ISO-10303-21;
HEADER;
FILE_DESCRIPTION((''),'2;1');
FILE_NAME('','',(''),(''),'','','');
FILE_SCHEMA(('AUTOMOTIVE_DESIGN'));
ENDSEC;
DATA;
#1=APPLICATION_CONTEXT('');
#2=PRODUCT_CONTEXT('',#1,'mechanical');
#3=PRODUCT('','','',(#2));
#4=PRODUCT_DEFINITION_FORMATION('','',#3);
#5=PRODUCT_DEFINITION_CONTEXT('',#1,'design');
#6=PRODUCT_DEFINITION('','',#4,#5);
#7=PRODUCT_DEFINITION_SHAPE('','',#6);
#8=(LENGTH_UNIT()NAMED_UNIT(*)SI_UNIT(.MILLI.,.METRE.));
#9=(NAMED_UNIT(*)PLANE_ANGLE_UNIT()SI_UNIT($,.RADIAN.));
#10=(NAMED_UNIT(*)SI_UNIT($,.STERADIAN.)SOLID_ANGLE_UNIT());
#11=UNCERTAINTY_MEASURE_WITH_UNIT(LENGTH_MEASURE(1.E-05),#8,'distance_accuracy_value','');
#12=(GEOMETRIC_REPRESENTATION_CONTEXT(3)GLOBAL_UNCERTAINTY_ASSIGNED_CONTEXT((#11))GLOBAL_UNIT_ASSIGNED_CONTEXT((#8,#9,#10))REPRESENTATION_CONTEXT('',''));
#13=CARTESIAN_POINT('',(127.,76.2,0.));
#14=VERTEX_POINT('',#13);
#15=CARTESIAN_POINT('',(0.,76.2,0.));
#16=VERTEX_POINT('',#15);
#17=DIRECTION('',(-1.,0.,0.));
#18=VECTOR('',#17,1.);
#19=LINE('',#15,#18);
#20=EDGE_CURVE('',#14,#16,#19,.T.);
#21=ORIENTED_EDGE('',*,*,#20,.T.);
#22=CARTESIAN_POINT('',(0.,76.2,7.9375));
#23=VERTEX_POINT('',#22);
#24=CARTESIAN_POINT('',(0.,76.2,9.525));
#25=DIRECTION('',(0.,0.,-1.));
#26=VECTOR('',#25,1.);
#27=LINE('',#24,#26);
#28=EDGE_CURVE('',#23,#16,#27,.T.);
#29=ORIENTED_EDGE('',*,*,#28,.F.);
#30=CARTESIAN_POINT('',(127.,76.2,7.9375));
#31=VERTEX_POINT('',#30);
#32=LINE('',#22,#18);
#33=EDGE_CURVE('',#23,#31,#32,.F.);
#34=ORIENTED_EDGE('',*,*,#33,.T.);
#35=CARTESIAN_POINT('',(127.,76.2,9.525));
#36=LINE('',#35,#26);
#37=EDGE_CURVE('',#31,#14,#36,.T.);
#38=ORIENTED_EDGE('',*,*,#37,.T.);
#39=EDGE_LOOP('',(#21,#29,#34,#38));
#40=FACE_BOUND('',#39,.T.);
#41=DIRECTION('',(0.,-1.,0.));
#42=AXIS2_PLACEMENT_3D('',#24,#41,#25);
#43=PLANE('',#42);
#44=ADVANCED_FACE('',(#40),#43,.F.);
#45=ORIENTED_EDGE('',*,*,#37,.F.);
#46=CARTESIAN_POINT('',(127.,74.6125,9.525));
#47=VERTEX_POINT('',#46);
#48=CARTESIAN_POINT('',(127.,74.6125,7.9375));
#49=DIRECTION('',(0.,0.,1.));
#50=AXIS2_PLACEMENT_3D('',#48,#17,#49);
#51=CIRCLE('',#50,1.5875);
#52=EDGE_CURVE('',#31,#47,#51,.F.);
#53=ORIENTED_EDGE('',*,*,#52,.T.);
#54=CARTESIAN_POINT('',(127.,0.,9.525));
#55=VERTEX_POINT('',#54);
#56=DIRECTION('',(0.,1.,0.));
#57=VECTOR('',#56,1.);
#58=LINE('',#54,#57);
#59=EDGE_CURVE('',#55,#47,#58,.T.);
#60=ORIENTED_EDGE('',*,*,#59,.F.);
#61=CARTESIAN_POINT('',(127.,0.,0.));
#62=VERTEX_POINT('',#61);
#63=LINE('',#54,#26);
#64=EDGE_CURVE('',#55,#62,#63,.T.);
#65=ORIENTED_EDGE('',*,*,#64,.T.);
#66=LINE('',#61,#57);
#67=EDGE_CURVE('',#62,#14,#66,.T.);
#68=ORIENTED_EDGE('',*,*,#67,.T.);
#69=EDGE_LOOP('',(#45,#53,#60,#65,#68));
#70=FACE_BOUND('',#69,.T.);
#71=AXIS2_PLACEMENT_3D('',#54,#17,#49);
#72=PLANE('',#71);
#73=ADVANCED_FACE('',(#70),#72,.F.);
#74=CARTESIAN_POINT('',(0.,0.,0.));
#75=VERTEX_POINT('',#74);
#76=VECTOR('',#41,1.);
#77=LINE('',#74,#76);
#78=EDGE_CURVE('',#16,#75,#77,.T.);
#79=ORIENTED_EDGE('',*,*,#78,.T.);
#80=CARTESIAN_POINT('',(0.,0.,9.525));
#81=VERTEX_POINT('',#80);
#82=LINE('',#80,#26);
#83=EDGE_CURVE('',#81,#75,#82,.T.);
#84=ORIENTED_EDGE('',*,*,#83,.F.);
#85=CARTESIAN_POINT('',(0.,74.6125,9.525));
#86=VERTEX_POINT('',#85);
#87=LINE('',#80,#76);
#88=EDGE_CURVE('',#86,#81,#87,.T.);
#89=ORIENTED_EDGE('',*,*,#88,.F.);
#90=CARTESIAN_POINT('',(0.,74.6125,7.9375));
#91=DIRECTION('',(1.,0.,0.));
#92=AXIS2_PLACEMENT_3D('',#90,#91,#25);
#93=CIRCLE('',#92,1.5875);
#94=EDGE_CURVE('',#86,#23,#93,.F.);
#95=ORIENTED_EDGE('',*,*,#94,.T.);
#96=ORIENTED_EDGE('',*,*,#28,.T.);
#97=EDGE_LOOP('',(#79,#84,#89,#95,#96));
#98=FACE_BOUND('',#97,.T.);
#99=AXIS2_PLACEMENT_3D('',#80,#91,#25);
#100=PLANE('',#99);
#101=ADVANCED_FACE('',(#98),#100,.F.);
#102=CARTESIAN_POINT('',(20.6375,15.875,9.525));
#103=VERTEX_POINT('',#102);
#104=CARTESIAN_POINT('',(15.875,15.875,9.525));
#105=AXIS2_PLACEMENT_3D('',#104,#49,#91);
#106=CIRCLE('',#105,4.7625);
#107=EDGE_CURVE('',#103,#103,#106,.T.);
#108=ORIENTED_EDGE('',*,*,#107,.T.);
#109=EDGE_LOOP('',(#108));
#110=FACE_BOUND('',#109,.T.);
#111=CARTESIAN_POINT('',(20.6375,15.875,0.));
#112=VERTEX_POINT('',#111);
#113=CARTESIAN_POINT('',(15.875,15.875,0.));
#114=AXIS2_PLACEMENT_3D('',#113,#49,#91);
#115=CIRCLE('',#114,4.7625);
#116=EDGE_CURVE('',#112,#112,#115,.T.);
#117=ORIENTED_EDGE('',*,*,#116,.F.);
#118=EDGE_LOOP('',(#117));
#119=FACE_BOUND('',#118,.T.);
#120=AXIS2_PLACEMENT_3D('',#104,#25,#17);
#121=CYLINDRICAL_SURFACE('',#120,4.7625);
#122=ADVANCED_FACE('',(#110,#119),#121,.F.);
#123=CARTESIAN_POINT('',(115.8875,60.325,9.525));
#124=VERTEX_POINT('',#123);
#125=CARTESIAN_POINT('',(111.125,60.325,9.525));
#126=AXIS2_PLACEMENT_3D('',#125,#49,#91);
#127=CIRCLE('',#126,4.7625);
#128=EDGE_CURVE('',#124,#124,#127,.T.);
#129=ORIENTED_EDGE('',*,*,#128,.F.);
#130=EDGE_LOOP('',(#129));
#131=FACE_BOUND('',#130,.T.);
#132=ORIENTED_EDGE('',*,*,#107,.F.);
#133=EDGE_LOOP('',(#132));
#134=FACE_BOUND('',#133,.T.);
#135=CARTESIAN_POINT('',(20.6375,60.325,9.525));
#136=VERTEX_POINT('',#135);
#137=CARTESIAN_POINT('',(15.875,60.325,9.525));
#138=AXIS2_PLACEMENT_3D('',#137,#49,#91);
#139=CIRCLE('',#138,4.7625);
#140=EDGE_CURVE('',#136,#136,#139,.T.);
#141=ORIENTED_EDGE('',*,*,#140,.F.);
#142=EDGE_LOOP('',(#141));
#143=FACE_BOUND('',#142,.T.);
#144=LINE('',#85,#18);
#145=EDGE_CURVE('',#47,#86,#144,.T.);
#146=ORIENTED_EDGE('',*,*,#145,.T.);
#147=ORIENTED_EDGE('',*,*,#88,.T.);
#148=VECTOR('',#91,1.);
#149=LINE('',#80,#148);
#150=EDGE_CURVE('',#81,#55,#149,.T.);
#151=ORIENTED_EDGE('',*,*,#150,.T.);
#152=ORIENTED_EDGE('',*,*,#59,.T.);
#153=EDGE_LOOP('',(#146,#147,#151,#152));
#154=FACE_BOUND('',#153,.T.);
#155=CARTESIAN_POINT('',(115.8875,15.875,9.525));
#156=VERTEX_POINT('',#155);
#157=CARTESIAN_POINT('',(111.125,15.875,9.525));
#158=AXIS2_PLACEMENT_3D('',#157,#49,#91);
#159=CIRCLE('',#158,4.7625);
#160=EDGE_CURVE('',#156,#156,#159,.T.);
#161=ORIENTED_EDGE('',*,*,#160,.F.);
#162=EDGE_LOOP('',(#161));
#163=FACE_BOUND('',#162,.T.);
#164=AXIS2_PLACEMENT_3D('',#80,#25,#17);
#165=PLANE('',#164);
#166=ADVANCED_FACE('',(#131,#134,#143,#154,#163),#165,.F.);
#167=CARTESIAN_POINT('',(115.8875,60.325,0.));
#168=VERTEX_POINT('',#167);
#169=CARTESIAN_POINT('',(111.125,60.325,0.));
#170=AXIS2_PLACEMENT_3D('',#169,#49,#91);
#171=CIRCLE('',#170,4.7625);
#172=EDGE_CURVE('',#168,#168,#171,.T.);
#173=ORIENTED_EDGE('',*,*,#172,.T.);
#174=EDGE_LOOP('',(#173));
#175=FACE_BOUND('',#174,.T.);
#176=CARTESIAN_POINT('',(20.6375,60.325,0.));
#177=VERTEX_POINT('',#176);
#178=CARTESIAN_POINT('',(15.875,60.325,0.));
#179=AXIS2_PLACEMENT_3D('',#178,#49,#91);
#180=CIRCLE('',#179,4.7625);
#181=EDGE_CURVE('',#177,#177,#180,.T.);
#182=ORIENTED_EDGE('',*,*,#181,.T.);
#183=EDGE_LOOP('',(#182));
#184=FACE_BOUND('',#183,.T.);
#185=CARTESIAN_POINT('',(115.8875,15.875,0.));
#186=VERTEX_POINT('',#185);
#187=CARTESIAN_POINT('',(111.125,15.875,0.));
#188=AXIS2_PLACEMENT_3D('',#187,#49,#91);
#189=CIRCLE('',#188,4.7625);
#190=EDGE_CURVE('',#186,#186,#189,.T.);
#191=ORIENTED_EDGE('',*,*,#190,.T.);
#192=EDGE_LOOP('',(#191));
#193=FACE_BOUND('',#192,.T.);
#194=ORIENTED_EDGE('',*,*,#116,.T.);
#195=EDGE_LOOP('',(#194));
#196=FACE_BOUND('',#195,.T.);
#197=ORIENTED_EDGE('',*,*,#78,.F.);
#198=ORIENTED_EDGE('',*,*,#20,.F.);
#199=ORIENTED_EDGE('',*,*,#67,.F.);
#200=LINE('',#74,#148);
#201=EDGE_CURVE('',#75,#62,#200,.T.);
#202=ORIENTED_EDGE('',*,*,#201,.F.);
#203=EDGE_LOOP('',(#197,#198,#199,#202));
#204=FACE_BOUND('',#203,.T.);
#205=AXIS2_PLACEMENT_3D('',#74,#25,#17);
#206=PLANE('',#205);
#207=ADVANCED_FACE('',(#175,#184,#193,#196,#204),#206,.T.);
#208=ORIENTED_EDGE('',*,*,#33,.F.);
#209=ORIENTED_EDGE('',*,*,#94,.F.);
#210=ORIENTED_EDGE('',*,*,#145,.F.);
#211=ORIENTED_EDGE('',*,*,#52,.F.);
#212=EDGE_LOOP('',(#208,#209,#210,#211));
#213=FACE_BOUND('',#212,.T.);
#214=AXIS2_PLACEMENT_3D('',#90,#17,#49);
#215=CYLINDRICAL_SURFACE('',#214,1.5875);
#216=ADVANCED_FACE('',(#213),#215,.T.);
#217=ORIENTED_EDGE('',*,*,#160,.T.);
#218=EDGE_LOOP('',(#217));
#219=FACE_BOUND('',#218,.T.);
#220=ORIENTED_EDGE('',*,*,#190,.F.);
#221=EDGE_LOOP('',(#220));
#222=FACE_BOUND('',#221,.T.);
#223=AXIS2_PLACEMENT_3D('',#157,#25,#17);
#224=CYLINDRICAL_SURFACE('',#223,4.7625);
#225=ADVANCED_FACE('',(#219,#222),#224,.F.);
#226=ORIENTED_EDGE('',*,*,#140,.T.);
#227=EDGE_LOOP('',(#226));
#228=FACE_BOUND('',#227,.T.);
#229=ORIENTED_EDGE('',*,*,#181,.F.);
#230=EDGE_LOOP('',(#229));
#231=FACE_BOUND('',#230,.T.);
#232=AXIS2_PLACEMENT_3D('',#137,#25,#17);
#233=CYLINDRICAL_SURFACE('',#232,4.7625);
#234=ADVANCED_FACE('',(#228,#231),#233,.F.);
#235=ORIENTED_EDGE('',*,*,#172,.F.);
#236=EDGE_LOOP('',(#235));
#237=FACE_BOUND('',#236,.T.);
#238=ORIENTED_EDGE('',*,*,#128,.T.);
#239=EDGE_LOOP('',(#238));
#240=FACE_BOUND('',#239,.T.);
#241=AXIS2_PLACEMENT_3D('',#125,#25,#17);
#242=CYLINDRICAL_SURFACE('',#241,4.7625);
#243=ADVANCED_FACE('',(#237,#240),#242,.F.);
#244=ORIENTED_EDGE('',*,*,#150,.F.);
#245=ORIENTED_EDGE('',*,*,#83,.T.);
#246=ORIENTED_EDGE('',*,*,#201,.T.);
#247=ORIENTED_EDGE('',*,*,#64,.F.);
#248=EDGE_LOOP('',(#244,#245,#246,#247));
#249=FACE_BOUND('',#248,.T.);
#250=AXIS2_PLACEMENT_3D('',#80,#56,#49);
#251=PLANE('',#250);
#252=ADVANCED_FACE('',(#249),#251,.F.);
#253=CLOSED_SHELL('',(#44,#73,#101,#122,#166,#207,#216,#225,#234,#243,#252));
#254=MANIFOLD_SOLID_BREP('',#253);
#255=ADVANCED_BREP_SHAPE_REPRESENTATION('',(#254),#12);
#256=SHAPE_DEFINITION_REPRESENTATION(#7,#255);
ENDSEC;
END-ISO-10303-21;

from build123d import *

# Parameters (mm, degrees)
SKETCH1_W   = 127
SKETCH1_H   = 76.2
BASE_DEPTH  = 9.525
SKETCH2_R   = 4.7625
HOLES_DEPTH = 149.412147835
FILLET2_R   = 1.5875


with BuildPart() as part:
    # Sketch1 → base (new body)
    with BuildSketch(Plane.XY):
        with Locations((63.5, 38.1)):
            Rectangle(SKETCH1_W, SKETCH1_H)
    extrude(amount=BASE_DEPTH)

    # Sketch2 → holes (cut, through all)
    with BuildSketch(Plane.XY):
        with Locations((15.875, 15.875)):
            Circle(SKETCH2_R)
        with Locations((111.125, 15.875)):
            Circle(SKETCH2_R)
        with Locations((15.875, 60.325)):
            Circle(SKETCH2_R)
        with Locations((111.125, 60.325)):
            Circle(SKETCH2_R)
    extrude(amount=HOLES_DEPTH, mode=Mode.SUBTRACT)

    # Fillet2
    fillet2_edges = [part.edges().sort_by_distance(p)[0] for p in [
        (63.5, 76.2, 9.525),
    ]]
    fillet(fillet2_edges, radius=FILLET2_R)


solid = part.part
